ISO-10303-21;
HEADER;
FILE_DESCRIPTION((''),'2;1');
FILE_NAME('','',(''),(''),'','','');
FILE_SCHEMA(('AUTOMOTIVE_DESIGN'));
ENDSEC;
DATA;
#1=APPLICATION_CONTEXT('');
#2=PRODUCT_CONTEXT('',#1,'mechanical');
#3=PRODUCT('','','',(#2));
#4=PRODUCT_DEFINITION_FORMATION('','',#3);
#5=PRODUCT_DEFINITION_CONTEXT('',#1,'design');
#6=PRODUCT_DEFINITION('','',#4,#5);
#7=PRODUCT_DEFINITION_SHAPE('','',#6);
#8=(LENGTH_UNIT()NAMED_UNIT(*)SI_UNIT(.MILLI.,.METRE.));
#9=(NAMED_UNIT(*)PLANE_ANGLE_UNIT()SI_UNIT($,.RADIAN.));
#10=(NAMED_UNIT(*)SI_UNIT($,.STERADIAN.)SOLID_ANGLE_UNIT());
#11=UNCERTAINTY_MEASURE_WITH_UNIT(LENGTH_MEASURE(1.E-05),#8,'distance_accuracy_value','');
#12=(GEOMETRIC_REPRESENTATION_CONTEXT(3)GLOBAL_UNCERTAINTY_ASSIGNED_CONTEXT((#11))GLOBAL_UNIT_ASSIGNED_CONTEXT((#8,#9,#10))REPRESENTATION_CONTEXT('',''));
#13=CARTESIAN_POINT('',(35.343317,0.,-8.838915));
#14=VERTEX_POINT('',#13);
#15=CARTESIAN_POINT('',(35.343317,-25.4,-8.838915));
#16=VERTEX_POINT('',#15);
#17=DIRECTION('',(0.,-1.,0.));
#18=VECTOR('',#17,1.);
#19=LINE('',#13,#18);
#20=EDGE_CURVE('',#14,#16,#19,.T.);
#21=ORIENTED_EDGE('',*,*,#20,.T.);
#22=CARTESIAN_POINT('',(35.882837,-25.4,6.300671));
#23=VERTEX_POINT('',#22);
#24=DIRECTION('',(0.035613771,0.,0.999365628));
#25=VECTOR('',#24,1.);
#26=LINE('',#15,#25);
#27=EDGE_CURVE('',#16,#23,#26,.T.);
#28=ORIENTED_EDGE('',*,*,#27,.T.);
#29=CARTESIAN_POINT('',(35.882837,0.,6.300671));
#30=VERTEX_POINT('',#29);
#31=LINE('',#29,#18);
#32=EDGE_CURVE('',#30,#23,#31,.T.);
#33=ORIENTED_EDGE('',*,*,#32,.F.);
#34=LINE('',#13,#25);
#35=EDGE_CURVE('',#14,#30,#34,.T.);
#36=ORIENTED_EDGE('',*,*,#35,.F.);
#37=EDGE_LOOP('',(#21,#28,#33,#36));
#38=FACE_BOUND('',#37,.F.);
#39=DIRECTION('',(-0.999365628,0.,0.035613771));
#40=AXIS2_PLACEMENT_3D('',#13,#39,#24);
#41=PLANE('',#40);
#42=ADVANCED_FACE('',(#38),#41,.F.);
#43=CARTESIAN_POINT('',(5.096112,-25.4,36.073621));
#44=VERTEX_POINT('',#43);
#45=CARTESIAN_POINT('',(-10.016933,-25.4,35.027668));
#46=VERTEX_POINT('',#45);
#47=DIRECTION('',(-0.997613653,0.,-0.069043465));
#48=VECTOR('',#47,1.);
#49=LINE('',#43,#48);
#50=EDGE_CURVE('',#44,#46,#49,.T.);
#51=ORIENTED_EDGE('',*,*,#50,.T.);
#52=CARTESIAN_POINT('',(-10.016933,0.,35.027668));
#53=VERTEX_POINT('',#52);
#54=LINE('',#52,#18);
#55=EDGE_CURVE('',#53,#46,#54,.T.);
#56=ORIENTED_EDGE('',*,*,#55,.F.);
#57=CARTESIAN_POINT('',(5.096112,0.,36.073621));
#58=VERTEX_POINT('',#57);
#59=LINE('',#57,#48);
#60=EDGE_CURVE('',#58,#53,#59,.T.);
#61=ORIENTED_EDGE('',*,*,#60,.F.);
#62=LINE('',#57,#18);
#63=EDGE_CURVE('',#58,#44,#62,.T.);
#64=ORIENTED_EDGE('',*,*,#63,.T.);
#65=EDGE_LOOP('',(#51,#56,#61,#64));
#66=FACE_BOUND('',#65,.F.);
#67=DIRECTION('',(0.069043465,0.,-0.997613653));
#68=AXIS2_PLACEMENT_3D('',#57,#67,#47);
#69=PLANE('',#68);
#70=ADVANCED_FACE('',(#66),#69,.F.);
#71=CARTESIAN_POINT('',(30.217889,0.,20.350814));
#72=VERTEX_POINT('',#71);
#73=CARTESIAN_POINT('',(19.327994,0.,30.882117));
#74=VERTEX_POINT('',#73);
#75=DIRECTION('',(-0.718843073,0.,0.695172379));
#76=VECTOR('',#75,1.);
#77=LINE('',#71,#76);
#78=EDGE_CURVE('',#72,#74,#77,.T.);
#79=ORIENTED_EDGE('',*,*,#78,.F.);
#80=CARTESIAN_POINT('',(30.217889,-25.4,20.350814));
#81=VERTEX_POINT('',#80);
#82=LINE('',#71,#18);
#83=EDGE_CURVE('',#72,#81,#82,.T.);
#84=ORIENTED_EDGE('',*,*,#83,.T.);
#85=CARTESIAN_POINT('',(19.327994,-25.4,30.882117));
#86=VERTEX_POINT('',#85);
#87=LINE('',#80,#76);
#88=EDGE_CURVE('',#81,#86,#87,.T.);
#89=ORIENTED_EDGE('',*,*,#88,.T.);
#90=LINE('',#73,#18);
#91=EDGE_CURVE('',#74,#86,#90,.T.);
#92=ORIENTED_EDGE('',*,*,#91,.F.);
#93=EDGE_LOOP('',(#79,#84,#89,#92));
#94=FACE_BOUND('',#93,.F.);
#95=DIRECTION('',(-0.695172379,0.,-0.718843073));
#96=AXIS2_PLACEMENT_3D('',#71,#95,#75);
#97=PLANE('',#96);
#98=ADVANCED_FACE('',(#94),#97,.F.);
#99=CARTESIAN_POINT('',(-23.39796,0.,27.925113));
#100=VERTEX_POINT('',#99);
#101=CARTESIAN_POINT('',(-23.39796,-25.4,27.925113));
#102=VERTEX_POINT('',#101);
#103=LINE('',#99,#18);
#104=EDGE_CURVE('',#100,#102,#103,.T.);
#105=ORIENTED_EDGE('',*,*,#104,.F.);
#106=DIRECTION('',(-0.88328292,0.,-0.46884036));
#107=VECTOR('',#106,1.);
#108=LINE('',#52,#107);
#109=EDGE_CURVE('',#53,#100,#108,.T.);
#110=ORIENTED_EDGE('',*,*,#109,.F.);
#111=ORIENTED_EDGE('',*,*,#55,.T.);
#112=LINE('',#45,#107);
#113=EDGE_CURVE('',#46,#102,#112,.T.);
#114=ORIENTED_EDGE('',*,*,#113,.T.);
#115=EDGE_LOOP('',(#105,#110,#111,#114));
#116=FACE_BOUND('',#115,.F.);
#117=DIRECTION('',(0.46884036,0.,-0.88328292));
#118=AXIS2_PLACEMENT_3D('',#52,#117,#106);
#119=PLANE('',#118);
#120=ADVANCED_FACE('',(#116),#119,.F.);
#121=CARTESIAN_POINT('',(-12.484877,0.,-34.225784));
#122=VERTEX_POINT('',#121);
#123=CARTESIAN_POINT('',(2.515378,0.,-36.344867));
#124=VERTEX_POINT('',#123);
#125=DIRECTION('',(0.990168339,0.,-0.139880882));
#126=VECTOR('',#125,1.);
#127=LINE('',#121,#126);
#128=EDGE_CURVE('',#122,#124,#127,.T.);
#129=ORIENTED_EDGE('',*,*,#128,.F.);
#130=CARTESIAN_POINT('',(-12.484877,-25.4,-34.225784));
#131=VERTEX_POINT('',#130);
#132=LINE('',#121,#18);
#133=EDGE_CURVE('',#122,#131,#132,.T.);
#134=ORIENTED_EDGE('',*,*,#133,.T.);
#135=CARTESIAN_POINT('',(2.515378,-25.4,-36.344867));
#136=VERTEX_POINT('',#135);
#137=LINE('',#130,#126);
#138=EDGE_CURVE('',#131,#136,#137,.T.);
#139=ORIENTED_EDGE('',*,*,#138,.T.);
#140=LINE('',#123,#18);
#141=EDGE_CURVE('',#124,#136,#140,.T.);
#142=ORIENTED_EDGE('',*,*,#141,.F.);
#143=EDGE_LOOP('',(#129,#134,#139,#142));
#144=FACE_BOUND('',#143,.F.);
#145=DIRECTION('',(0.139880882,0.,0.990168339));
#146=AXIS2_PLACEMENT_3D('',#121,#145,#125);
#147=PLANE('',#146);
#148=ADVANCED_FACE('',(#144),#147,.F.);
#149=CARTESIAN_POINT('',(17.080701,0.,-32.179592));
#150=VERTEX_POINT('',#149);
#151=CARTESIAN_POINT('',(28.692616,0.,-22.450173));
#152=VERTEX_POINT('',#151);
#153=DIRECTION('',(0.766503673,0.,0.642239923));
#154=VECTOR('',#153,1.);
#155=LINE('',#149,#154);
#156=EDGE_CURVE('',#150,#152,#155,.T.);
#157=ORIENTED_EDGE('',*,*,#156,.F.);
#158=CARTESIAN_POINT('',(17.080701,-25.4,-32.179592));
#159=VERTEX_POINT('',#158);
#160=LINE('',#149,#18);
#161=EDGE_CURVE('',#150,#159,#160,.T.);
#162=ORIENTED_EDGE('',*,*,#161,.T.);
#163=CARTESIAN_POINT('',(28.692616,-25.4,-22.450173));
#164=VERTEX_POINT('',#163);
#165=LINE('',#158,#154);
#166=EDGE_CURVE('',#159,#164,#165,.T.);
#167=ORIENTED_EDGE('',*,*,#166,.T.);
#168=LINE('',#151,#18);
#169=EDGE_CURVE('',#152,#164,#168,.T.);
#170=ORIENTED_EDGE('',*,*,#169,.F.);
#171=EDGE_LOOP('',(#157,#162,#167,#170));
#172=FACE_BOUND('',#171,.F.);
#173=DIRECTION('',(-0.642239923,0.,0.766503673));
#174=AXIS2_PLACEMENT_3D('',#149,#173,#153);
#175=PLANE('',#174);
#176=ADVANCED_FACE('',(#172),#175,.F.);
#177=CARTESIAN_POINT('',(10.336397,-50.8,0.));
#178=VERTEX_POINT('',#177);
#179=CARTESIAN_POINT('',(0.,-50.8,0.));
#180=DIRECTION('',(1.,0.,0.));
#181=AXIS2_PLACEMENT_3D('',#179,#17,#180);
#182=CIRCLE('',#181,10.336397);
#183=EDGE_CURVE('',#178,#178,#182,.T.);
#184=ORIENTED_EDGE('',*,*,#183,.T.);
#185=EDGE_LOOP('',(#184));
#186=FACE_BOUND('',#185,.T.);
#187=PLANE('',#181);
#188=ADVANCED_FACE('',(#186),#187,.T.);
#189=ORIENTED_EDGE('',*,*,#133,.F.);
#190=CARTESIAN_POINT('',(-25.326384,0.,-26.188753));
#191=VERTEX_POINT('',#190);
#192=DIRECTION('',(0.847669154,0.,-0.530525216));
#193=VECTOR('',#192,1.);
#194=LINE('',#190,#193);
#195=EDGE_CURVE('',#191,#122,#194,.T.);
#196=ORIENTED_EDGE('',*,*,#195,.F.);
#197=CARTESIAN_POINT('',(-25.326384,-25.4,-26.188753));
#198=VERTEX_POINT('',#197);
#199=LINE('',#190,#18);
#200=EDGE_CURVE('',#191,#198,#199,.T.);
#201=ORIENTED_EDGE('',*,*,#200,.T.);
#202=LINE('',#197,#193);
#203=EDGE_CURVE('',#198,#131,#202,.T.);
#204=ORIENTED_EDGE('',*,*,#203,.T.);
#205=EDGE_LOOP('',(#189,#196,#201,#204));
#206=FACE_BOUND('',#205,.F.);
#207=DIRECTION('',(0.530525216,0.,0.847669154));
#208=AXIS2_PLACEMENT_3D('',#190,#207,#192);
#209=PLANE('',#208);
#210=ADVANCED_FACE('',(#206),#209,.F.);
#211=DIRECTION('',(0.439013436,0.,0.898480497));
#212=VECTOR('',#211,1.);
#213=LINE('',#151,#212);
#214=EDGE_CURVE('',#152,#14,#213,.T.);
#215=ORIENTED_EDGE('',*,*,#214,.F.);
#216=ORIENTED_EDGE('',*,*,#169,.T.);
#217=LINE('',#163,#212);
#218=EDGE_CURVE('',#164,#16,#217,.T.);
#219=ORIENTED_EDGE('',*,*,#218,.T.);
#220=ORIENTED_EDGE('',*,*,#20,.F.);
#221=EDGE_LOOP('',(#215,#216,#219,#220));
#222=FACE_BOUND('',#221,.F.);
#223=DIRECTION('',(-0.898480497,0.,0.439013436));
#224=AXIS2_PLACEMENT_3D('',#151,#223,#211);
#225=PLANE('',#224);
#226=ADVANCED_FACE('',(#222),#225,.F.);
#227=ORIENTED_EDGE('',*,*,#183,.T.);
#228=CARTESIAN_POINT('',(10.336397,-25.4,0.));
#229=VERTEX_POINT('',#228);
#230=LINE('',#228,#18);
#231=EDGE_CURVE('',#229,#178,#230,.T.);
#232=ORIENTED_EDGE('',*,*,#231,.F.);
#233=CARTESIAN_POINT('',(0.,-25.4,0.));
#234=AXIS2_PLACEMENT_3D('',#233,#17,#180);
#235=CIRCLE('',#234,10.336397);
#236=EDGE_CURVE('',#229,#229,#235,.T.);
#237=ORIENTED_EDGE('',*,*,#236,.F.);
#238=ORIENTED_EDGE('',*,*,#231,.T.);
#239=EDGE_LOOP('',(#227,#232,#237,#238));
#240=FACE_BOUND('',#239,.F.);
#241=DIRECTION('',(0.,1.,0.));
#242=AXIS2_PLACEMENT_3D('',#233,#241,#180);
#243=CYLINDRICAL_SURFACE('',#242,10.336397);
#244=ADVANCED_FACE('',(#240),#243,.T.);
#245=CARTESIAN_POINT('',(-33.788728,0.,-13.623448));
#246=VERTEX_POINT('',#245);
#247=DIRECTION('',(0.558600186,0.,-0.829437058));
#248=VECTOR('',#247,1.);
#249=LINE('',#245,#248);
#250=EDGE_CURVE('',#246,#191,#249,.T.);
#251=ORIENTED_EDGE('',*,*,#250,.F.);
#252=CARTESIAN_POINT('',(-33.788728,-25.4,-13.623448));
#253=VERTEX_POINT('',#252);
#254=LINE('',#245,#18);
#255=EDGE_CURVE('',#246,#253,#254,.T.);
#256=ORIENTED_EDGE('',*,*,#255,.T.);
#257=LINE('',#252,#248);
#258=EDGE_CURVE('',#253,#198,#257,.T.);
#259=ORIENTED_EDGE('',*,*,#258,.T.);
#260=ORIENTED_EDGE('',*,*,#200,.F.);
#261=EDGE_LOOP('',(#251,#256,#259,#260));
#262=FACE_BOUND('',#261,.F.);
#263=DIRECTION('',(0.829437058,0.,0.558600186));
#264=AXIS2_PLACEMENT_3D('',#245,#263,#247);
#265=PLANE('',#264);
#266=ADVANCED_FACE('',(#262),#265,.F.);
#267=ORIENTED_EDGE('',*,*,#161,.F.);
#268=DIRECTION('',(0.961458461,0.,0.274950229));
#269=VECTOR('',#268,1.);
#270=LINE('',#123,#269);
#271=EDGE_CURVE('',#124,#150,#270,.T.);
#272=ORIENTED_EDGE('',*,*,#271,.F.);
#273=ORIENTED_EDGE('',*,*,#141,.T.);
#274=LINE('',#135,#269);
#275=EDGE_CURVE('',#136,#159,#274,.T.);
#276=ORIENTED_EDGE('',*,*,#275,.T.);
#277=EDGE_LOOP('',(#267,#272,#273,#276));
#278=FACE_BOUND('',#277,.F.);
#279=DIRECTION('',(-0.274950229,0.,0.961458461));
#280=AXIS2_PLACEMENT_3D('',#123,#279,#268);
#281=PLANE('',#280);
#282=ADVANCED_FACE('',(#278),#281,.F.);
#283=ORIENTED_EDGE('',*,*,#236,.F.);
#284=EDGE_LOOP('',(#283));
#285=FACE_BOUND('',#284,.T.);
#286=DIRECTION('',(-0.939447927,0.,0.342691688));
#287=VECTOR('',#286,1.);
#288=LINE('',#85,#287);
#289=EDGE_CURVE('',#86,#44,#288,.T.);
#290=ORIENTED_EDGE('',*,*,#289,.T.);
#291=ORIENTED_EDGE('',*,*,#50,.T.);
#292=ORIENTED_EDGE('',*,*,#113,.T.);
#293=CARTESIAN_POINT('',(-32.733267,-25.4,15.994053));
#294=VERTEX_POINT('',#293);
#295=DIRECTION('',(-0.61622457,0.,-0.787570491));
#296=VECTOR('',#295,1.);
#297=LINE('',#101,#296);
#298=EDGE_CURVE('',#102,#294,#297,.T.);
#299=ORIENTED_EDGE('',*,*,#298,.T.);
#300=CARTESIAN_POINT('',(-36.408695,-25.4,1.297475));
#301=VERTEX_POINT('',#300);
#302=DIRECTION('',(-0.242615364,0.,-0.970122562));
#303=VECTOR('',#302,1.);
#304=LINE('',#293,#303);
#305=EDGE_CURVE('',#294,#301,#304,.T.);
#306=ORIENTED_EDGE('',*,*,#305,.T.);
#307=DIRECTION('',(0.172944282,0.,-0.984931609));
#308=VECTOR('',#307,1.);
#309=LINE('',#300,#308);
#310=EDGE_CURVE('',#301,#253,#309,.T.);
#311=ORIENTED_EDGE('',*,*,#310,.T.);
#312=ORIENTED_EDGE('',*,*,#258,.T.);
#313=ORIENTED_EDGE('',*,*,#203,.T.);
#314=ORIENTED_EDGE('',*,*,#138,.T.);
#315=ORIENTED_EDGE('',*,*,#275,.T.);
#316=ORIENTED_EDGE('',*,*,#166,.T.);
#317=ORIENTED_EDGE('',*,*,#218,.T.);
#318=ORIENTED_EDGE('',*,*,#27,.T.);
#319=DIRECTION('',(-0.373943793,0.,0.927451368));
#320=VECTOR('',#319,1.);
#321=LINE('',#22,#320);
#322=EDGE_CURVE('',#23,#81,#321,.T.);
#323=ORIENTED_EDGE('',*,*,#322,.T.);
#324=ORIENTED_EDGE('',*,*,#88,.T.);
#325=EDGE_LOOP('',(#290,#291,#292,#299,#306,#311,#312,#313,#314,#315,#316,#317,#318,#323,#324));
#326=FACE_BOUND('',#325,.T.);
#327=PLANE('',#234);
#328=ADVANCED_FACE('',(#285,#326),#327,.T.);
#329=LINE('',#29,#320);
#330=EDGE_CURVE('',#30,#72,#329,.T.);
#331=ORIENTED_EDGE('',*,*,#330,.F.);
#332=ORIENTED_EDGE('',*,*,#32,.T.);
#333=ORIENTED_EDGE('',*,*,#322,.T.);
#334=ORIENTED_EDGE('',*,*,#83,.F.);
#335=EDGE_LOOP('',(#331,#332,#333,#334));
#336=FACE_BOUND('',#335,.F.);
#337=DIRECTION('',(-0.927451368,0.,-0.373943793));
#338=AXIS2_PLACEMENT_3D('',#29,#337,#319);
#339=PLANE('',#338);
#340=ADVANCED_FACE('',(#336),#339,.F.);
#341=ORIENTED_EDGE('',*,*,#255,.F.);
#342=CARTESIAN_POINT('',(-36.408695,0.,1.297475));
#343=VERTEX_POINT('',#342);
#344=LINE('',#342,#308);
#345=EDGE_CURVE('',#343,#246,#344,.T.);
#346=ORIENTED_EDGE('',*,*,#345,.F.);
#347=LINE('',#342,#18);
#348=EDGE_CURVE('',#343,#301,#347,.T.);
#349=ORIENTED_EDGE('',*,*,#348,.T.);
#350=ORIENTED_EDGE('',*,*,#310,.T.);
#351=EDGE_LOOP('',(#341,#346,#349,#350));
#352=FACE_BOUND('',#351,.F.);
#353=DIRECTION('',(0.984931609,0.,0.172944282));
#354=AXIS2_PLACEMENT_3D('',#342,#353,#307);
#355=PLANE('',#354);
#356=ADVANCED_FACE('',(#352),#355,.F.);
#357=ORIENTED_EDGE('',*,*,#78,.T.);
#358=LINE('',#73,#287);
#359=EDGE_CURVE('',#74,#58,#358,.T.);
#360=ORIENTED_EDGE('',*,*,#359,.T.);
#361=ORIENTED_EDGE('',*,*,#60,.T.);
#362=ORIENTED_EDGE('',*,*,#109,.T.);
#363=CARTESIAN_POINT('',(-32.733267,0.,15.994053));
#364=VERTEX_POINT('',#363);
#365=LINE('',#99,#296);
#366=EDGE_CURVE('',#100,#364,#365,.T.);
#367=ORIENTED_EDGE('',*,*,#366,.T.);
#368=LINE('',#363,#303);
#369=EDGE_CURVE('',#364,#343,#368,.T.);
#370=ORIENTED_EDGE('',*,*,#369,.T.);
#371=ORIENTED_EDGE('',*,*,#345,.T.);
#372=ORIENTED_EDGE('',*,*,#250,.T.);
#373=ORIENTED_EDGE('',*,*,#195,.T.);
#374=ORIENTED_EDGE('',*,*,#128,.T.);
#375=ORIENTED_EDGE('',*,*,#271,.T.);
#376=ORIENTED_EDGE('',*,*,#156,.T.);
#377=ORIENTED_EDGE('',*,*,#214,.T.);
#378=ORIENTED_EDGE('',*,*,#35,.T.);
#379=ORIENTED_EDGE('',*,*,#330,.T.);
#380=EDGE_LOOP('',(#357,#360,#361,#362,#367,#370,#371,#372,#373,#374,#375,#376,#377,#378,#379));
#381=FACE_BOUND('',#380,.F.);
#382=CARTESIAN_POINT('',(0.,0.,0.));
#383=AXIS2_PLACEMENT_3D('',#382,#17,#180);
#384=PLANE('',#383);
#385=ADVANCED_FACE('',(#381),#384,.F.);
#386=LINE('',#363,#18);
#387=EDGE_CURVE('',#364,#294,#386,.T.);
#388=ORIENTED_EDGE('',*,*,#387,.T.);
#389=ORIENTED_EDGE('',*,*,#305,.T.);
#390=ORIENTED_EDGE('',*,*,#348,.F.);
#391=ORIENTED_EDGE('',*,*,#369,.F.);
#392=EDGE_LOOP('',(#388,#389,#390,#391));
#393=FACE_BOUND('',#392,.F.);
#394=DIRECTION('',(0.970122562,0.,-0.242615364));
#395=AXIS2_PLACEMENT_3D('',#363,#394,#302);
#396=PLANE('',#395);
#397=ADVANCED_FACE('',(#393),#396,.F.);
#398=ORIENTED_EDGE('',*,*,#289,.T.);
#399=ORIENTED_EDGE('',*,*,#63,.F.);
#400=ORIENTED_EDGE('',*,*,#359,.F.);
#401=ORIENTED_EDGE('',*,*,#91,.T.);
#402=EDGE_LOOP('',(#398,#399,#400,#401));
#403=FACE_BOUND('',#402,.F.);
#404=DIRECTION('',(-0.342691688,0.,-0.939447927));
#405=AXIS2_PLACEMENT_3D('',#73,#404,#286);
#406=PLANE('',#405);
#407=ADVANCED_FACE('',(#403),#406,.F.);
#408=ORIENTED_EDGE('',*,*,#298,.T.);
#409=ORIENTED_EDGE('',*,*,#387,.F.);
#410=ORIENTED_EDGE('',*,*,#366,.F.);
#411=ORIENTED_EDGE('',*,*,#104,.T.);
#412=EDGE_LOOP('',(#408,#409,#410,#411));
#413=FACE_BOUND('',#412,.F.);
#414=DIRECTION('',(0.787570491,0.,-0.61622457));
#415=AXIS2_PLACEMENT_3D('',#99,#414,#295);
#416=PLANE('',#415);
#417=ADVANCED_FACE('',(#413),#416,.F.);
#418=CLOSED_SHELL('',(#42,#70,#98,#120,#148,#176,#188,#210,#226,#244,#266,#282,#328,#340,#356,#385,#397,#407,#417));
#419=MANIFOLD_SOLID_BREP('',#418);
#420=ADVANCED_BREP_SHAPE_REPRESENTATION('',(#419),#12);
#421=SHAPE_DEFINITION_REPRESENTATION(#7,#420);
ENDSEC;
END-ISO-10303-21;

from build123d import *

# Parameters (mm, degrees)
F1_DEPTH = 25.4
F2_R     = 10.336397
F3_DEPTH = 25.4


with BuildPart() as f1:
    # F0 (on Front) → F1 (new body)
    with BuildSketch(Plane.XZ):
        Polygon((19.327994, 30.882117), (5.096112, 36.073621), (-10.016933, 35.027668), (-23.39796, 27.925113), (-32.733267, 15.994053), (-36.408695, 1.297475), (-33.788728, -13.623448), (-25.326384, -26.188753), (-12.484877, -34.225784), (2.515378, -36.344867), (17.080701, -32.179592), (28.692616, -22.450173), (35.343317, -8.838915), (35.882837, 6.300671), (30.217889, 20.350814), align=None)
    extrude(amount=F1_DEPTH)

    # F2 (on face) → F3 (join)
    with BuildSketch(Plane.XZ.offset(25.4)):
        Circle(F2_R)
    extrude(amount=F3_DEPTH)


solid = f1.part
